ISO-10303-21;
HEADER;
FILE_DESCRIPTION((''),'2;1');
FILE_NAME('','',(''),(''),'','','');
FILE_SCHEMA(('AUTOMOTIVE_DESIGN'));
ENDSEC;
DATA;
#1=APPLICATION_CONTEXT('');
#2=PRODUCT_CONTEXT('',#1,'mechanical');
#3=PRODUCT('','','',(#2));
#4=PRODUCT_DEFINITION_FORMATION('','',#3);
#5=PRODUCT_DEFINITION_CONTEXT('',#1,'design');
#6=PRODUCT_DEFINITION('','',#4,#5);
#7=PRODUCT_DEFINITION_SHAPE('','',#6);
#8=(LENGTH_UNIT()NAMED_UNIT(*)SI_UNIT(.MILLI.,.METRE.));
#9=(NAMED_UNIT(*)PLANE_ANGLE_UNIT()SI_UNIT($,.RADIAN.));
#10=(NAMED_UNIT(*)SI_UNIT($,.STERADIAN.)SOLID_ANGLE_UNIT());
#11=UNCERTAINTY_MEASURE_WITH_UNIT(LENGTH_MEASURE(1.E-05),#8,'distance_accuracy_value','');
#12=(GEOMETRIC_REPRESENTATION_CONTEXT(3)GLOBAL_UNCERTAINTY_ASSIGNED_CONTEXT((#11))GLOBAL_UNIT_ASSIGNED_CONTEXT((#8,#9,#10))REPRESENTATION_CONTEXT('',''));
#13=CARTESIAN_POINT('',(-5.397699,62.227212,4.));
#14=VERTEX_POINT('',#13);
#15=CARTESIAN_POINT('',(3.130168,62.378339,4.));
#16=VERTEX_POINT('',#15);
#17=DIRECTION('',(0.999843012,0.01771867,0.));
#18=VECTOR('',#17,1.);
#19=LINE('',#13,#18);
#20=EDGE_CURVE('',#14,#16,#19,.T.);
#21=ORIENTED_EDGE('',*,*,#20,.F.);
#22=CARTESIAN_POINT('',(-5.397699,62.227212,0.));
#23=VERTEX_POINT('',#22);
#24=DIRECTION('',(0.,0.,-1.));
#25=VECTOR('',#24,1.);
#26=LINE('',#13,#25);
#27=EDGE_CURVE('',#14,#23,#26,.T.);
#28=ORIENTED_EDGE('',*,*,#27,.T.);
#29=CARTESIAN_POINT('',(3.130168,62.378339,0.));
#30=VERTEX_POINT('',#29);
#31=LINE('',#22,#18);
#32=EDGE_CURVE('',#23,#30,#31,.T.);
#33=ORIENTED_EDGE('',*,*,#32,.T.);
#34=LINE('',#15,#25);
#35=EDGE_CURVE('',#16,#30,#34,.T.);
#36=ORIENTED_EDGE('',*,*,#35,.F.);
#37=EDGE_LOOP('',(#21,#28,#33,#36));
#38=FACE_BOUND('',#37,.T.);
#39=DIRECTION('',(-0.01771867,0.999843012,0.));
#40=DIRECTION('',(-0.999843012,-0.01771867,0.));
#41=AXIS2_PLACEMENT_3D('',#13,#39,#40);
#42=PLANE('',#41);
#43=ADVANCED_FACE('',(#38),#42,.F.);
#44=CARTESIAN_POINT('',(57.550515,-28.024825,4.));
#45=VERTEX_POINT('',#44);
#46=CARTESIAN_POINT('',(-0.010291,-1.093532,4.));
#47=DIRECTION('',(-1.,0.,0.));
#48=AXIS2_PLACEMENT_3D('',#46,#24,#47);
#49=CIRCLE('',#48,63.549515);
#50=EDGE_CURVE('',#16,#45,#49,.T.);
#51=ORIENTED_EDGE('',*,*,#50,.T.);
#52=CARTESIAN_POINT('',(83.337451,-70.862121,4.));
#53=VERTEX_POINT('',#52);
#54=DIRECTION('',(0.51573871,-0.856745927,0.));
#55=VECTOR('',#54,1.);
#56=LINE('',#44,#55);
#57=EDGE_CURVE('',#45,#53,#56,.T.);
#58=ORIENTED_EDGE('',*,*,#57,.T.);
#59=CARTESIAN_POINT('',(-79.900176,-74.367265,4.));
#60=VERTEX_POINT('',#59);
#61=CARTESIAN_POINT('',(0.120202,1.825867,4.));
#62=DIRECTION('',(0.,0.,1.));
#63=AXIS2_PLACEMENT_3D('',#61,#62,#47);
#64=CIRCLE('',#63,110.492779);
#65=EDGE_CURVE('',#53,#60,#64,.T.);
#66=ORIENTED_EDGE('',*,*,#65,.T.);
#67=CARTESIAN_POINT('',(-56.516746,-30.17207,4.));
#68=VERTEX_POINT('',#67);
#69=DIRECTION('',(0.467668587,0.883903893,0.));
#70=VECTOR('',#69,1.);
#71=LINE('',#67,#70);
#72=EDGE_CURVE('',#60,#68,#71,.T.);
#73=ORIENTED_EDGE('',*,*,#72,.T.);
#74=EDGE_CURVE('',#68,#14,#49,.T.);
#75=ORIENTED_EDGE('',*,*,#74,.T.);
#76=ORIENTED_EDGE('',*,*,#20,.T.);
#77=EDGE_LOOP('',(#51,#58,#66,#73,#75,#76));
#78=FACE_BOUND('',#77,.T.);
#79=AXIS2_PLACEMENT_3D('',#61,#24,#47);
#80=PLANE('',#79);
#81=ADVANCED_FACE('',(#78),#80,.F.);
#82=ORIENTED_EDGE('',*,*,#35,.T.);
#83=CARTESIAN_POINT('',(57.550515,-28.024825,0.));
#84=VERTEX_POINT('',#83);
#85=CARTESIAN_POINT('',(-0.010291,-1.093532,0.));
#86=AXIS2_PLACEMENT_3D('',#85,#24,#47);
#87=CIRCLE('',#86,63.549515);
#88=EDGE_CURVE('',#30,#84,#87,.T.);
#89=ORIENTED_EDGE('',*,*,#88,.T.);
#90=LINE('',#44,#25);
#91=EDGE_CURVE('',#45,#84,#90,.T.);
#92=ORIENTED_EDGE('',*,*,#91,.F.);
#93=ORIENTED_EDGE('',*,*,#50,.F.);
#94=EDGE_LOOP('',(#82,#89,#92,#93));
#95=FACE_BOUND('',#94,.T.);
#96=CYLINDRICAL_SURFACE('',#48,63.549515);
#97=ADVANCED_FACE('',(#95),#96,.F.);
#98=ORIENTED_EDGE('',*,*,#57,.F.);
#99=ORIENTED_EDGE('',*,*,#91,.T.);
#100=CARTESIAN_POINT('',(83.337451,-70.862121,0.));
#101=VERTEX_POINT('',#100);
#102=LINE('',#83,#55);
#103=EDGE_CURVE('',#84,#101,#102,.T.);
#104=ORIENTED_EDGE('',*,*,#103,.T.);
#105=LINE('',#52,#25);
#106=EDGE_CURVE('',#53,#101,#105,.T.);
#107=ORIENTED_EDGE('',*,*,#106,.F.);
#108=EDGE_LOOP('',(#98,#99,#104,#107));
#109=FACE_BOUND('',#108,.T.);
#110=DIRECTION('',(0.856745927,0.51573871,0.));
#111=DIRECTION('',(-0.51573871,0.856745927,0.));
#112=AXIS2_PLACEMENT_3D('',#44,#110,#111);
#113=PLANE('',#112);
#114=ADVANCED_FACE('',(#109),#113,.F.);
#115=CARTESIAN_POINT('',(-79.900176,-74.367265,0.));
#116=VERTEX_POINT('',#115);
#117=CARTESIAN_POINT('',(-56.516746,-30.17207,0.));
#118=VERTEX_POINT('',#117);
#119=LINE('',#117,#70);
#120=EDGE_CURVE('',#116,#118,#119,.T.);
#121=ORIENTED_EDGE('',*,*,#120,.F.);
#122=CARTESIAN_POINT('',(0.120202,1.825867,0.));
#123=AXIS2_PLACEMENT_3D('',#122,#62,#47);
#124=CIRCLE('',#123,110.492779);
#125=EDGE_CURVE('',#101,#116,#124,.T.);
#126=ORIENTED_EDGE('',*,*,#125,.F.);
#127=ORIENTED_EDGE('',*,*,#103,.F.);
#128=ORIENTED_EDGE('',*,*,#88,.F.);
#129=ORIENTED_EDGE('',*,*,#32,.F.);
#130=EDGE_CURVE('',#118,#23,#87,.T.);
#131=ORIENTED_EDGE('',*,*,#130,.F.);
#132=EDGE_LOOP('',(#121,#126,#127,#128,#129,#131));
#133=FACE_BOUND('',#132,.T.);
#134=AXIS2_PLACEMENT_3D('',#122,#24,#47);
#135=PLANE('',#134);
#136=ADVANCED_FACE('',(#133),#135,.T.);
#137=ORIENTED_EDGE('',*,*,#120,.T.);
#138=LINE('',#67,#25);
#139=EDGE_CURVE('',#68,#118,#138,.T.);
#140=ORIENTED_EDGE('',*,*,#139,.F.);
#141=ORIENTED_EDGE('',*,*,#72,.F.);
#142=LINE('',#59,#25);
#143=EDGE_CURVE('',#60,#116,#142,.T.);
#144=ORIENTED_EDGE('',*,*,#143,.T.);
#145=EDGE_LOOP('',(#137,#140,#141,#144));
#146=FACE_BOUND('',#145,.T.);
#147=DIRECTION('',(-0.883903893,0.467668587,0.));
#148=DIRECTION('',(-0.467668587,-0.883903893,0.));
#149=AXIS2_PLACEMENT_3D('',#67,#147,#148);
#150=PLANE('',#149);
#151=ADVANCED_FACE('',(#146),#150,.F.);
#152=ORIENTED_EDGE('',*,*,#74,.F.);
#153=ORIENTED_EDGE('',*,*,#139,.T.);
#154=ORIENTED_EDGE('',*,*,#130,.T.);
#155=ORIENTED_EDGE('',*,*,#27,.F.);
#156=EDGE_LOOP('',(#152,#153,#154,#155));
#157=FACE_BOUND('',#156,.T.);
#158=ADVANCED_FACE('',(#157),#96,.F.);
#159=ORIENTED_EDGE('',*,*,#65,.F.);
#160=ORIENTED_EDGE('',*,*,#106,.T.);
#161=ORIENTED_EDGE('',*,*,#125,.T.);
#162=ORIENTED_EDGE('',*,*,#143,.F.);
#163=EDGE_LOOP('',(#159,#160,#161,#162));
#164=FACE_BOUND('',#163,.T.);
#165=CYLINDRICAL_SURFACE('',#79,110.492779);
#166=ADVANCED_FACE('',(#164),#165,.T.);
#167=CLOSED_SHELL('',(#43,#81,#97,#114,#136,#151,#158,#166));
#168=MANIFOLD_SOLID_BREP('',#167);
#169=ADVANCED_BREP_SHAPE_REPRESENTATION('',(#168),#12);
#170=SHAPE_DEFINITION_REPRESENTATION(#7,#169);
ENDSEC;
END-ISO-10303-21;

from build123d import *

# Parameters (mm, degrees)
EXTRUDE_1_DEPTH = 4


with BuildPart() as part:
    # 草图1 → 凸台-拉伸1 (new body)
    with BuildSketch(Plane.XY):
        with BuildLine():
            Line((-5.397698839, 62.227212363), (3.130167912, 62.378338545))
            ThreePointArc((3.130167912, 62.378338545), (54.435497436, 31.681412593), (57.550515021, -28.024824651))
            Line((57.550515021, -28.024824651), (83.337450501, -70.862121001))
            ThreePointArc((83.337450501, -70.862121001), (-2.251823992, 112.293181891), (-79.900175711, -74.367264806))
            Line((-79.900175711, -74.367264806), (-56.516746339, -30.172070148))
            ThreePointArc((-56.516746339, -30.172070148), (-55.617119883, 29.670430953), (-5.397698839, 62.227212363))
        make_face()
    extrude(amount=EXTRUDE_1_DEPTH)


solid = part.part
